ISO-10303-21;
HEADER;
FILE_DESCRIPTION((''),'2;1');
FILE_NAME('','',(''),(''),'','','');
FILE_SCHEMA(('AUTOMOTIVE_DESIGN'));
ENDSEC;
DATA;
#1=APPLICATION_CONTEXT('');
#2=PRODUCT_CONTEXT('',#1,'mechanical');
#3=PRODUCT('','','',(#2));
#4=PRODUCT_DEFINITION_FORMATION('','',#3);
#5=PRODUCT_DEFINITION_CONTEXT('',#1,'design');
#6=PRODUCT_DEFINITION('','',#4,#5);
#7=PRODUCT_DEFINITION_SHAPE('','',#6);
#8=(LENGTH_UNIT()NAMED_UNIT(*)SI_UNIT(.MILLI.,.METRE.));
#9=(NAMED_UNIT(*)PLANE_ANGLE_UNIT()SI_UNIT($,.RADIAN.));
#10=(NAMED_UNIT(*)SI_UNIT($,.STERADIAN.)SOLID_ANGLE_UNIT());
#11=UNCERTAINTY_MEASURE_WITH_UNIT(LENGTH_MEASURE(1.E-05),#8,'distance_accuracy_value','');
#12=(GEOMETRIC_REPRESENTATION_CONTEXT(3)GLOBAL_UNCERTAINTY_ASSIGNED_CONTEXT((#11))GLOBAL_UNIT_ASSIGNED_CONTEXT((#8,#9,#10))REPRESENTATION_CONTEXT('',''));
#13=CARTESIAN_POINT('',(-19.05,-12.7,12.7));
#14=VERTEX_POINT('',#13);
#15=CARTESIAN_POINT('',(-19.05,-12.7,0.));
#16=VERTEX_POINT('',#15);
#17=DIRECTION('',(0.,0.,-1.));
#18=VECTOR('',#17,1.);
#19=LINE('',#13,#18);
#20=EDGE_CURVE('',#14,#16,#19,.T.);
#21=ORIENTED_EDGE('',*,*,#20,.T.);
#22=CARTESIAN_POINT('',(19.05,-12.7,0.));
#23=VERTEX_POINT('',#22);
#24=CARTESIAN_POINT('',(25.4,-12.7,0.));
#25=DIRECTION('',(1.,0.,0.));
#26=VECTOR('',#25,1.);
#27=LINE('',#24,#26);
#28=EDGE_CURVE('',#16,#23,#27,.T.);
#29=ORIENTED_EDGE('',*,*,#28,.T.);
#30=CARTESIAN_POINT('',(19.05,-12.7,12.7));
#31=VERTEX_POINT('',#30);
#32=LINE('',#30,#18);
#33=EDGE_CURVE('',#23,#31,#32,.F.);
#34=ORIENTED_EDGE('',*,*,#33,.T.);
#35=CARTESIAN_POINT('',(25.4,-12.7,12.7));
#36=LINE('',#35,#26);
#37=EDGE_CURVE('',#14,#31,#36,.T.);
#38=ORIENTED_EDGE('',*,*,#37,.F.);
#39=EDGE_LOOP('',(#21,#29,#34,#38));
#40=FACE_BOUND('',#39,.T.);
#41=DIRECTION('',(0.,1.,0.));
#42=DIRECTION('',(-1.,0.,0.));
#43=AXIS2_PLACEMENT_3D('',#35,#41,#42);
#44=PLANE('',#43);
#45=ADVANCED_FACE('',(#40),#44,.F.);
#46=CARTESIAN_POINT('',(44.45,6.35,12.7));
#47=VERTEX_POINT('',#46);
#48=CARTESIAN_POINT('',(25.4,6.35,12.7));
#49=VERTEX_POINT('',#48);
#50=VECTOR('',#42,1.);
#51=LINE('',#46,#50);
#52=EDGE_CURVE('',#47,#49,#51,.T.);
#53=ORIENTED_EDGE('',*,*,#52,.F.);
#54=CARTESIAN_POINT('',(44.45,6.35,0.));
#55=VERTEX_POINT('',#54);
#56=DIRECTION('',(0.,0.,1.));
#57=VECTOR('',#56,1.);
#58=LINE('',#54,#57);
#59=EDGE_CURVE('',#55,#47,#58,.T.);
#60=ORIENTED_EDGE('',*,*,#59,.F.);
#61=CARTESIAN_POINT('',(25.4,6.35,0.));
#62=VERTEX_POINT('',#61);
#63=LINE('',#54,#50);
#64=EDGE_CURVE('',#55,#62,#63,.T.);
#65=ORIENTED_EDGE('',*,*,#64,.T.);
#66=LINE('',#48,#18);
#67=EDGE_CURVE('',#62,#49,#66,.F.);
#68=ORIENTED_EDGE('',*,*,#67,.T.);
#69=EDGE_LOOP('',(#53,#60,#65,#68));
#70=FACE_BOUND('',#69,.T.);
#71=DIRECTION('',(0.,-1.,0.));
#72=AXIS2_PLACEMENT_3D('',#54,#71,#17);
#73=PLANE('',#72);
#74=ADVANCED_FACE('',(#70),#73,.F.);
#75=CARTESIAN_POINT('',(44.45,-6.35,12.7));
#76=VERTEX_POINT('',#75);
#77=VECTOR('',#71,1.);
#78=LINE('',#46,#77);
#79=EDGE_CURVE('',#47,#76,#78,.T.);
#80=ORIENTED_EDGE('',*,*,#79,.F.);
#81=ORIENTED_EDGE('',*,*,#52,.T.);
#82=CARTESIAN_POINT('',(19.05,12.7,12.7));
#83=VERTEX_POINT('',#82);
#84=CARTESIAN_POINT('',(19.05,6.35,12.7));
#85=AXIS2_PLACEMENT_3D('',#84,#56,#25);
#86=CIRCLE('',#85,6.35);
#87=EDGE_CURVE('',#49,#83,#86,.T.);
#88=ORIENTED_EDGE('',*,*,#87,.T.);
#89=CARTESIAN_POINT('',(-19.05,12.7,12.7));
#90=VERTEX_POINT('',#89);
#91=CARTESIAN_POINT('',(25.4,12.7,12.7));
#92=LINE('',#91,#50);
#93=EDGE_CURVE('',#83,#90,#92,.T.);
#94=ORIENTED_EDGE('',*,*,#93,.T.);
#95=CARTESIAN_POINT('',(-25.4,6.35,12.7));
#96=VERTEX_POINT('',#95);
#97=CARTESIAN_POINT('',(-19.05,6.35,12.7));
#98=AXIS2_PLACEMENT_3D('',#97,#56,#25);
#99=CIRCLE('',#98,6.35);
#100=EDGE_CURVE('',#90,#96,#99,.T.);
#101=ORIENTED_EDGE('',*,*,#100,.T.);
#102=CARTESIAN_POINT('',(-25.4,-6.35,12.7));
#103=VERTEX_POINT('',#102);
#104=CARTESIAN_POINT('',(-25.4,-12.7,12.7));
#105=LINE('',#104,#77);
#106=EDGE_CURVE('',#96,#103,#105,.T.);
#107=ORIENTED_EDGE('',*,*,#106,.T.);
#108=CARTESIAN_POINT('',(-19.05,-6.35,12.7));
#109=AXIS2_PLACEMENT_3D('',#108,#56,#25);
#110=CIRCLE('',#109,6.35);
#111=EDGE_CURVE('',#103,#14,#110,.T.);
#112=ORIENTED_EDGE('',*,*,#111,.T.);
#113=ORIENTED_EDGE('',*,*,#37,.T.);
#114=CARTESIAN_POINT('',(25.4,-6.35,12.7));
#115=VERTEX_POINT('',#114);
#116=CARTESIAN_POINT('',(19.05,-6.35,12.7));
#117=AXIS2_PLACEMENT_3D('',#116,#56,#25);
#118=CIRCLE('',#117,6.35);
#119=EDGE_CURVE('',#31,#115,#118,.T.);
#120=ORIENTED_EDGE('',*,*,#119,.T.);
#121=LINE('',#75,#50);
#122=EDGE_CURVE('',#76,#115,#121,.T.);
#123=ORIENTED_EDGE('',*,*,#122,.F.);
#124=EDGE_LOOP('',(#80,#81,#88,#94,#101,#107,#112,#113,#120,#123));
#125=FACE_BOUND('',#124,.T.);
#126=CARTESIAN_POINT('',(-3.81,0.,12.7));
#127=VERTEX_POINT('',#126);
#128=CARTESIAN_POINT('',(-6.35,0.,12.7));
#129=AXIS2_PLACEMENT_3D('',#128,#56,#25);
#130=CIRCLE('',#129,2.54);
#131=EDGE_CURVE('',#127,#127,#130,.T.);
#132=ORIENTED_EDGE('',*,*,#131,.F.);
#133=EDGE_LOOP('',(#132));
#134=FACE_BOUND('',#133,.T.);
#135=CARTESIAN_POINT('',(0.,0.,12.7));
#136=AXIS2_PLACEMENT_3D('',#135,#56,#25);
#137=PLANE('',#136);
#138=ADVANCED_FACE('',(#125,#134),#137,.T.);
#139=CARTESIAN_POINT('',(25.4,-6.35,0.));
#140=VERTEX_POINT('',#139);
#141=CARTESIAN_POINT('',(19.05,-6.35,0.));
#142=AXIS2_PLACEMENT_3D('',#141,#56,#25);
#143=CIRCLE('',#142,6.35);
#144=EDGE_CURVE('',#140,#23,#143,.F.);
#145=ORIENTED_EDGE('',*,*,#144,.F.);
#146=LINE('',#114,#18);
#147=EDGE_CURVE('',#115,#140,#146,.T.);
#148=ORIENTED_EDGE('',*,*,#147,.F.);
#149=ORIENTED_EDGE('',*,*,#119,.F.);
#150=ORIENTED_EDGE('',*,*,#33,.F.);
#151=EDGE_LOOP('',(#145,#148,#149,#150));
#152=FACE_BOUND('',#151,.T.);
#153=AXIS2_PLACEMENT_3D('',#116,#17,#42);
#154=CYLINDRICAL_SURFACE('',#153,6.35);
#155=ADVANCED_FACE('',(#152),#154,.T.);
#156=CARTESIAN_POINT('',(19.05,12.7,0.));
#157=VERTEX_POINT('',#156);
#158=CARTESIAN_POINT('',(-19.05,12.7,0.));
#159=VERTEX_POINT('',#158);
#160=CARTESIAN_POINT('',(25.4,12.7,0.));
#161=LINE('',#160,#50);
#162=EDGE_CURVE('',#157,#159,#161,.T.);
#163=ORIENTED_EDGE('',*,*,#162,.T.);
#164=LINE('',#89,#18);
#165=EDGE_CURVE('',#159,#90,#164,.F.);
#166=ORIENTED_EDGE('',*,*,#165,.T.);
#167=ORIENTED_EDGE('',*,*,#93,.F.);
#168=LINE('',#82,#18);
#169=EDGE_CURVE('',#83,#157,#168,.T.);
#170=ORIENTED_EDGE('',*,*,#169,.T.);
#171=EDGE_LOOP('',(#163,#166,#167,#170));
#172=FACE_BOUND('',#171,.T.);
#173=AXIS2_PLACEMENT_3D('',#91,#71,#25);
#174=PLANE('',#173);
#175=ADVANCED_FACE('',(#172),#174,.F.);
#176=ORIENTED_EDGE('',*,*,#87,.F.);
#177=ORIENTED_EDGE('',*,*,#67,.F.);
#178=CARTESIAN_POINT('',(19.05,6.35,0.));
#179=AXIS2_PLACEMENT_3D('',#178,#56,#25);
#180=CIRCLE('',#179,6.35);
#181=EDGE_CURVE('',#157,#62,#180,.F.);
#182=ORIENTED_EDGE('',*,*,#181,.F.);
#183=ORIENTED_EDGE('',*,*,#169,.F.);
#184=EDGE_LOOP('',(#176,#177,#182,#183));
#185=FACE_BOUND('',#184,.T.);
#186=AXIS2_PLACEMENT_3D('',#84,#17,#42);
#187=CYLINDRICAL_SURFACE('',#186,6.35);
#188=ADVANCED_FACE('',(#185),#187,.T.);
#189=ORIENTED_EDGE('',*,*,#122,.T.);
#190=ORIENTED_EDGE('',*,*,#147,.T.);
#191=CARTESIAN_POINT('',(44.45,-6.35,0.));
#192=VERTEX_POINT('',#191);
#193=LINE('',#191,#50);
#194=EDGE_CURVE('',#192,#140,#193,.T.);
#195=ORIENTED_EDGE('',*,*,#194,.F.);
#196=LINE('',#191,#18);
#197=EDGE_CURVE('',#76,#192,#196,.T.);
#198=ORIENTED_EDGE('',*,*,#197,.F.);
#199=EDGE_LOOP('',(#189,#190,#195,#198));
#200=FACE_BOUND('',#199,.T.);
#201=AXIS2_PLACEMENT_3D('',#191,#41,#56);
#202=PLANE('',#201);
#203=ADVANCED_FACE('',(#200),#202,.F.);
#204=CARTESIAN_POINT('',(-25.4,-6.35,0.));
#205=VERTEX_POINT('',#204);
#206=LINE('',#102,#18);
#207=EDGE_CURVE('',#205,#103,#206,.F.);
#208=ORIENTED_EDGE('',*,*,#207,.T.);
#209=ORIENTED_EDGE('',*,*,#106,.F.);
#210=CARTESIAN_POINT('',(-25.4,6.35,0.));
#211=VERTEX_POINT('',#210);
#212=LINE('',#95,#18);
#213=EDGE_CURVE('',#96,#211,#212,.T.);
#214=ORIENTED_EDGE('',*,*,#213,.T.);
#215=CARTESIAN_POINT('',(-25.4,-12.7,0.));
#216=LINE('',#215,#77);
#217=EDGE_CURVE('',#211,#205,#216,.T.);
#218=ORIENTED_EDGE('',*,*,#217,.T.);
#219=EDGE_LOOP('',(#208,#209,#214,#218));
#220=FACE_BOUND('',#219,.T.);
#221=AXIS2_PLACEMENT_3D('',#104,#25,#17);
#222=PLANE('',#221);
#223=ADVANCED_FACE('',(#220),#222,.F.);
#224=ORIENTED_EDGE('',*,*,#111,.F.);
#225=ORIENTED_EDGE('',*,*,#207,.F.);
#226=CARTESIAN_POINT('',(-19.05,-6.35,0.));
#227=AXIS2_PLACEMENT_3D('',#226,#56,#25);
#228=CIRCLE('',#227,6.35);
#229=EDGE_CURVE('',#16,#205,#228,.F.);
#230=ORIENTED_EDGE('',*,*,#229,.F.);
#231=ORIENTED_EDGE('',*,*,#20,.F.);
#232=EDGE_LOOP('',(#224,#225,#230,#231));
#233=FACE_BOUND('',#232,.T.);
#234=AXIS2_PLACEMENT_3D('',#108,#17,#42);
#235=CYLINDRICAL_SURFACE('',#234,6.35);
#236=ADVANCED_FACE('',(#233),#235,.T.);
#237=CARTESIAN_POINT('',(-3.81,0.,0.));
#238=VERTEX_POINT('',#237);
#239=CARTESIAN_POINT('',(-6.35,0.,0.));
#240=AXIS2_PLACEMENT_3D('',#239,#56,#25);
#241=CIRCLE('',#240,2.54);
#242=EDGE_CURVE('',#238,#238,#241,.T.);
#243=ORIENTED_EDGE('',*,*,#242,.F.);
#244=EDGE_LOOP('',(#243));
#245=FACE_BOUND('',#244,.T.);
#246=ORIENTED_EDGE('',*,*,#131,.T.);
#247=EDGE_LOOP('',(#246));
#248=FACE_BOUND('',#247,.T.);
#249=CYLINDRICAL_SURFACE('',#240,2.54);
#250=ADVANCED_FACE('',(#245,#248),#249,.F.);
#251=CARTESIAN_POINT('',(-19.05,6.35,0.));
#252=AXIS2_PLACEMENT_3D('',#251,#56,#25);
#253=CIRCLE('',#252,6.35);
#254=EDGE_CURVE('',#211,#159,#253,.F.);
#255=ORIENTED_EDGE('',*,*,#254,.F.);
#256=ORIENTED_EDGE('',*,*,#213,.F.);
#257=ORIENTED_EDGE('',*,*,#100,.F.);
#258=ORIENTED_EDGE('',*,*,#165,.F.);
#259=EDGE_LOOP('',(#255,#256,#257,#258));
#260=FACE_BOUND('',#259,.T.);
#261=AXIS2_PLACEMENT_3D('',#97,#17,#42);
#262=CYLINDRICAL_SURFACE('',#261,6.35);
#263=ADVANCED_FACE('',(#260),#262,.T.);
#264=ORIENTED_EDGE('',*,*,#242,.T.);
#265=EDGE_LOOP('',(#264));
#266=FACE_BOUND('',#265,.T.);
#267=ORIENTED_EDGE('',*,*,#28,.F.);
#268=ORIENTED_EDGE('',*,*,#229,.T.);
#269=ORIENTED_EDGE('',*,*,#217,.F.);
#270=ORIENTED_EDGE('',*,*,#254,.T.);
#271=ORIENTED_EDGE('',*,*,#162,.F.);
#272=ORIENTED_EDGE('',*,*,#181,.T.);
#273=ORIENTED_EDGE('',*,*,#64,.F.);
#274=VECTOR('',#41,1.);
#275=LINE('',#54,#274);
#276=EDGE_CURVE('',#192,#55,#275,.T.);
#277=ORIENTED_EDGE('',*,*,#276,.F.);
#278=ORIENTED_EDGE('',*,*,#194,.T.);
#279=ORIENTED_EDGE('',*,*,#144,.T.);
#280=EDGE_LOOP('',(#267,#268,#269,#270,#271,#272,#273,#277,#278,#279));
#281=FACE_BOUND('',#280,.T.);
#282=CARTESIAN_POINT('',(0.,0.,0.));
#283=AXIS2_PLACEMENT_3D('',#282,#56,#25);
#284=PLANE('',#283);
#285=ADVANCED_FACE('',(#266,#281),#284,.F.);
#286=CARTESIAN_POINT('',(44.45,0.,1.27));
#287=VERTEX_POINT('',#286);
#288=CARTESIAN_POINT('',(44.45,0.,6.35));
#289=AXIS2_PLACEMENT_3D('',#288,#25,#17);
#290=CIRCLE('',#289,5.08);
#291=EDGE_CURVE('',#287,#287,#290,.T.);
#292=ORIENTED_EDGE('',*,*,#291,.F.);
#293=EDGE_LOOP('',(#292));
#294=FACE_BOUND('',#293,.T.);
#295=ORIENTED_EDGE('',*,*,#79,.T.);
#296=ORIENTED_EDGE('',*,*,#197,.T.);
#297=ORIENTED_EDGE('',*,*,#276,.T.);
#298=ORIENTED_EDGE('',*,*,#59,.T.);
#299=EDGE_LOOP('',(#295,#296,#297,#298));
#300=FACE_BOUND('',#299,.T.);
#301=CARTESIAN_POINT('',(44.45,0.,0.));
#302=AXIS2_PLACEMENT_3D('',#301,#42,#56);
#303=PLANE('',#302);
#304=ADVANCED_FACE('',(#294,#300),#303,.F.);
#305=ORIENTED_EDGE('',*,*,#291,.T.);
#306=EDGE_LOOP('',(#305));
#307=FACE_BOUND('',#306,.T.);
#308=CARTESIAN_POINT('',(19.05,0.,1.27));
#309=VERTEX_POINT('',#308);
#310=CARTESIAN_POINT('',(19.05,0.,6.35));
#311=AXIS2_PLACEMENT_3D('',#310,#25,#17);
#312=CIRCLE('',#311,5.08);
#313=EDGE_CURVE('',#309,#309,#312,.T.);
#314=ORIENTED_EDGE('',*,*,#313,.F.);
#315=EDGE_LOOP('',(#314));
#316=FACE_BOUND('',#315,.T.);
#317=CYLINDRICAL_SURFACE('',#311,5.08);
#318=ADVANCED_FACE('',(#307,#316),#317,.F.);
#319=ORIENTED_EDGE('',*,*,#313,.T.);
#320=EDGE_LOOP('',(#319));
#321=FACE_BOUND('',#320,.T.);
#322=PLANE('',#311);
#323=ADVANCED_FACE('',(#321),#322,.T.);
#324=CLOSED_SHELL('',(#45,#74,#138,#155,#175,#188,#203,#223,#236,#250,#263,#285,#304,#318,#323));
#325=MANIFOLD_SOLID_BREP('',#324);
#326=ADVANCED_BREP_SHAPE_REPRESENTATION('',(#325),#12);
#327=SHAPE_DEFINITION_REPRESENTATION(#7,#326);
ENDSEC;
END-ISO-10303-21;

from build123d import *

# Parameters (mm, degrees)
SKETCH2_W           = 50.8
SKETCH2_H           = 25.4
BOSS_EXTRUDE1_DEPTH = 12.7
FILLET1_R           = 6.35
SKETCH3_R           = 2.54
CUT_EXTRUDE1_DEPTH  = 32.108519733
SKETCH4_W           = 12.7
SKETCH4_H           = 12.7
BOSS_EXTRUDE2_DEPTH = 19.05
SKETCH5_R           = 5.08
CUT_EXTRUDE2_DEPTH  = 25.4


with BuildPart() as part:
    # Sketch2 → Boss-Extrude1 (new body)
    with BuildSketch(Plane.XY):
        Rectangle(SKETCH2_W, SKETCH2_H)
    extrude(amount=BOSS_EXTRUDE1_DEPTH)

    # Fillet1
    fillet1_edges = [part.edges().sort_by_distance(p)[0] for p in [
        (-25.4, 12.7, 6.35),
        (25.4, 12.7, 6.35),
        (25.4, -12.7, 6.35),
        (-25.4, -12.7, 6.35),
    ]]
    fillet(fillet1_edges, radius=FILLET1_R)

    # Sketch3 → Cut-Extrude1 (cut, through all)
    with BuildSketch(Plane.XY.offset(12.7)):
        with Locations((-6.35, 0)):
            Circle(SKETCH3_R)
    extrude(amount=-CUT_EXTRUDE1_DEPTH, mode=Mode.SUBTRACT)

    # Sketch4 → Boss-Extrude2 (add)
    with BuildSketch(Plane(origin=(25.4, 0, 0), x_dir=(0, 0, -1), z_dir=(1, 0, 0))):
        with Locations((-6.35, 0)):
            Rectangle(SKETCH4_W, SKETCH4_H)
    extrude(amount=BOSS_EXTRUDE2_DEPTH)

    # Sketch5 → Cut-Extrude2 (cut)
    with BuildSketch(Plane(origin=(44.45, 0, 0), x_dir=(0, 0, -1), z_dir=(1, 0, 0))):
        with Locations((-6.35, 0)):
            Circle(SKETCH5_R)
    extrude(amount=-CUT_EXTRUDE2_DEPTH, mode=Mode.SUBTRACT)


solid = part.part
